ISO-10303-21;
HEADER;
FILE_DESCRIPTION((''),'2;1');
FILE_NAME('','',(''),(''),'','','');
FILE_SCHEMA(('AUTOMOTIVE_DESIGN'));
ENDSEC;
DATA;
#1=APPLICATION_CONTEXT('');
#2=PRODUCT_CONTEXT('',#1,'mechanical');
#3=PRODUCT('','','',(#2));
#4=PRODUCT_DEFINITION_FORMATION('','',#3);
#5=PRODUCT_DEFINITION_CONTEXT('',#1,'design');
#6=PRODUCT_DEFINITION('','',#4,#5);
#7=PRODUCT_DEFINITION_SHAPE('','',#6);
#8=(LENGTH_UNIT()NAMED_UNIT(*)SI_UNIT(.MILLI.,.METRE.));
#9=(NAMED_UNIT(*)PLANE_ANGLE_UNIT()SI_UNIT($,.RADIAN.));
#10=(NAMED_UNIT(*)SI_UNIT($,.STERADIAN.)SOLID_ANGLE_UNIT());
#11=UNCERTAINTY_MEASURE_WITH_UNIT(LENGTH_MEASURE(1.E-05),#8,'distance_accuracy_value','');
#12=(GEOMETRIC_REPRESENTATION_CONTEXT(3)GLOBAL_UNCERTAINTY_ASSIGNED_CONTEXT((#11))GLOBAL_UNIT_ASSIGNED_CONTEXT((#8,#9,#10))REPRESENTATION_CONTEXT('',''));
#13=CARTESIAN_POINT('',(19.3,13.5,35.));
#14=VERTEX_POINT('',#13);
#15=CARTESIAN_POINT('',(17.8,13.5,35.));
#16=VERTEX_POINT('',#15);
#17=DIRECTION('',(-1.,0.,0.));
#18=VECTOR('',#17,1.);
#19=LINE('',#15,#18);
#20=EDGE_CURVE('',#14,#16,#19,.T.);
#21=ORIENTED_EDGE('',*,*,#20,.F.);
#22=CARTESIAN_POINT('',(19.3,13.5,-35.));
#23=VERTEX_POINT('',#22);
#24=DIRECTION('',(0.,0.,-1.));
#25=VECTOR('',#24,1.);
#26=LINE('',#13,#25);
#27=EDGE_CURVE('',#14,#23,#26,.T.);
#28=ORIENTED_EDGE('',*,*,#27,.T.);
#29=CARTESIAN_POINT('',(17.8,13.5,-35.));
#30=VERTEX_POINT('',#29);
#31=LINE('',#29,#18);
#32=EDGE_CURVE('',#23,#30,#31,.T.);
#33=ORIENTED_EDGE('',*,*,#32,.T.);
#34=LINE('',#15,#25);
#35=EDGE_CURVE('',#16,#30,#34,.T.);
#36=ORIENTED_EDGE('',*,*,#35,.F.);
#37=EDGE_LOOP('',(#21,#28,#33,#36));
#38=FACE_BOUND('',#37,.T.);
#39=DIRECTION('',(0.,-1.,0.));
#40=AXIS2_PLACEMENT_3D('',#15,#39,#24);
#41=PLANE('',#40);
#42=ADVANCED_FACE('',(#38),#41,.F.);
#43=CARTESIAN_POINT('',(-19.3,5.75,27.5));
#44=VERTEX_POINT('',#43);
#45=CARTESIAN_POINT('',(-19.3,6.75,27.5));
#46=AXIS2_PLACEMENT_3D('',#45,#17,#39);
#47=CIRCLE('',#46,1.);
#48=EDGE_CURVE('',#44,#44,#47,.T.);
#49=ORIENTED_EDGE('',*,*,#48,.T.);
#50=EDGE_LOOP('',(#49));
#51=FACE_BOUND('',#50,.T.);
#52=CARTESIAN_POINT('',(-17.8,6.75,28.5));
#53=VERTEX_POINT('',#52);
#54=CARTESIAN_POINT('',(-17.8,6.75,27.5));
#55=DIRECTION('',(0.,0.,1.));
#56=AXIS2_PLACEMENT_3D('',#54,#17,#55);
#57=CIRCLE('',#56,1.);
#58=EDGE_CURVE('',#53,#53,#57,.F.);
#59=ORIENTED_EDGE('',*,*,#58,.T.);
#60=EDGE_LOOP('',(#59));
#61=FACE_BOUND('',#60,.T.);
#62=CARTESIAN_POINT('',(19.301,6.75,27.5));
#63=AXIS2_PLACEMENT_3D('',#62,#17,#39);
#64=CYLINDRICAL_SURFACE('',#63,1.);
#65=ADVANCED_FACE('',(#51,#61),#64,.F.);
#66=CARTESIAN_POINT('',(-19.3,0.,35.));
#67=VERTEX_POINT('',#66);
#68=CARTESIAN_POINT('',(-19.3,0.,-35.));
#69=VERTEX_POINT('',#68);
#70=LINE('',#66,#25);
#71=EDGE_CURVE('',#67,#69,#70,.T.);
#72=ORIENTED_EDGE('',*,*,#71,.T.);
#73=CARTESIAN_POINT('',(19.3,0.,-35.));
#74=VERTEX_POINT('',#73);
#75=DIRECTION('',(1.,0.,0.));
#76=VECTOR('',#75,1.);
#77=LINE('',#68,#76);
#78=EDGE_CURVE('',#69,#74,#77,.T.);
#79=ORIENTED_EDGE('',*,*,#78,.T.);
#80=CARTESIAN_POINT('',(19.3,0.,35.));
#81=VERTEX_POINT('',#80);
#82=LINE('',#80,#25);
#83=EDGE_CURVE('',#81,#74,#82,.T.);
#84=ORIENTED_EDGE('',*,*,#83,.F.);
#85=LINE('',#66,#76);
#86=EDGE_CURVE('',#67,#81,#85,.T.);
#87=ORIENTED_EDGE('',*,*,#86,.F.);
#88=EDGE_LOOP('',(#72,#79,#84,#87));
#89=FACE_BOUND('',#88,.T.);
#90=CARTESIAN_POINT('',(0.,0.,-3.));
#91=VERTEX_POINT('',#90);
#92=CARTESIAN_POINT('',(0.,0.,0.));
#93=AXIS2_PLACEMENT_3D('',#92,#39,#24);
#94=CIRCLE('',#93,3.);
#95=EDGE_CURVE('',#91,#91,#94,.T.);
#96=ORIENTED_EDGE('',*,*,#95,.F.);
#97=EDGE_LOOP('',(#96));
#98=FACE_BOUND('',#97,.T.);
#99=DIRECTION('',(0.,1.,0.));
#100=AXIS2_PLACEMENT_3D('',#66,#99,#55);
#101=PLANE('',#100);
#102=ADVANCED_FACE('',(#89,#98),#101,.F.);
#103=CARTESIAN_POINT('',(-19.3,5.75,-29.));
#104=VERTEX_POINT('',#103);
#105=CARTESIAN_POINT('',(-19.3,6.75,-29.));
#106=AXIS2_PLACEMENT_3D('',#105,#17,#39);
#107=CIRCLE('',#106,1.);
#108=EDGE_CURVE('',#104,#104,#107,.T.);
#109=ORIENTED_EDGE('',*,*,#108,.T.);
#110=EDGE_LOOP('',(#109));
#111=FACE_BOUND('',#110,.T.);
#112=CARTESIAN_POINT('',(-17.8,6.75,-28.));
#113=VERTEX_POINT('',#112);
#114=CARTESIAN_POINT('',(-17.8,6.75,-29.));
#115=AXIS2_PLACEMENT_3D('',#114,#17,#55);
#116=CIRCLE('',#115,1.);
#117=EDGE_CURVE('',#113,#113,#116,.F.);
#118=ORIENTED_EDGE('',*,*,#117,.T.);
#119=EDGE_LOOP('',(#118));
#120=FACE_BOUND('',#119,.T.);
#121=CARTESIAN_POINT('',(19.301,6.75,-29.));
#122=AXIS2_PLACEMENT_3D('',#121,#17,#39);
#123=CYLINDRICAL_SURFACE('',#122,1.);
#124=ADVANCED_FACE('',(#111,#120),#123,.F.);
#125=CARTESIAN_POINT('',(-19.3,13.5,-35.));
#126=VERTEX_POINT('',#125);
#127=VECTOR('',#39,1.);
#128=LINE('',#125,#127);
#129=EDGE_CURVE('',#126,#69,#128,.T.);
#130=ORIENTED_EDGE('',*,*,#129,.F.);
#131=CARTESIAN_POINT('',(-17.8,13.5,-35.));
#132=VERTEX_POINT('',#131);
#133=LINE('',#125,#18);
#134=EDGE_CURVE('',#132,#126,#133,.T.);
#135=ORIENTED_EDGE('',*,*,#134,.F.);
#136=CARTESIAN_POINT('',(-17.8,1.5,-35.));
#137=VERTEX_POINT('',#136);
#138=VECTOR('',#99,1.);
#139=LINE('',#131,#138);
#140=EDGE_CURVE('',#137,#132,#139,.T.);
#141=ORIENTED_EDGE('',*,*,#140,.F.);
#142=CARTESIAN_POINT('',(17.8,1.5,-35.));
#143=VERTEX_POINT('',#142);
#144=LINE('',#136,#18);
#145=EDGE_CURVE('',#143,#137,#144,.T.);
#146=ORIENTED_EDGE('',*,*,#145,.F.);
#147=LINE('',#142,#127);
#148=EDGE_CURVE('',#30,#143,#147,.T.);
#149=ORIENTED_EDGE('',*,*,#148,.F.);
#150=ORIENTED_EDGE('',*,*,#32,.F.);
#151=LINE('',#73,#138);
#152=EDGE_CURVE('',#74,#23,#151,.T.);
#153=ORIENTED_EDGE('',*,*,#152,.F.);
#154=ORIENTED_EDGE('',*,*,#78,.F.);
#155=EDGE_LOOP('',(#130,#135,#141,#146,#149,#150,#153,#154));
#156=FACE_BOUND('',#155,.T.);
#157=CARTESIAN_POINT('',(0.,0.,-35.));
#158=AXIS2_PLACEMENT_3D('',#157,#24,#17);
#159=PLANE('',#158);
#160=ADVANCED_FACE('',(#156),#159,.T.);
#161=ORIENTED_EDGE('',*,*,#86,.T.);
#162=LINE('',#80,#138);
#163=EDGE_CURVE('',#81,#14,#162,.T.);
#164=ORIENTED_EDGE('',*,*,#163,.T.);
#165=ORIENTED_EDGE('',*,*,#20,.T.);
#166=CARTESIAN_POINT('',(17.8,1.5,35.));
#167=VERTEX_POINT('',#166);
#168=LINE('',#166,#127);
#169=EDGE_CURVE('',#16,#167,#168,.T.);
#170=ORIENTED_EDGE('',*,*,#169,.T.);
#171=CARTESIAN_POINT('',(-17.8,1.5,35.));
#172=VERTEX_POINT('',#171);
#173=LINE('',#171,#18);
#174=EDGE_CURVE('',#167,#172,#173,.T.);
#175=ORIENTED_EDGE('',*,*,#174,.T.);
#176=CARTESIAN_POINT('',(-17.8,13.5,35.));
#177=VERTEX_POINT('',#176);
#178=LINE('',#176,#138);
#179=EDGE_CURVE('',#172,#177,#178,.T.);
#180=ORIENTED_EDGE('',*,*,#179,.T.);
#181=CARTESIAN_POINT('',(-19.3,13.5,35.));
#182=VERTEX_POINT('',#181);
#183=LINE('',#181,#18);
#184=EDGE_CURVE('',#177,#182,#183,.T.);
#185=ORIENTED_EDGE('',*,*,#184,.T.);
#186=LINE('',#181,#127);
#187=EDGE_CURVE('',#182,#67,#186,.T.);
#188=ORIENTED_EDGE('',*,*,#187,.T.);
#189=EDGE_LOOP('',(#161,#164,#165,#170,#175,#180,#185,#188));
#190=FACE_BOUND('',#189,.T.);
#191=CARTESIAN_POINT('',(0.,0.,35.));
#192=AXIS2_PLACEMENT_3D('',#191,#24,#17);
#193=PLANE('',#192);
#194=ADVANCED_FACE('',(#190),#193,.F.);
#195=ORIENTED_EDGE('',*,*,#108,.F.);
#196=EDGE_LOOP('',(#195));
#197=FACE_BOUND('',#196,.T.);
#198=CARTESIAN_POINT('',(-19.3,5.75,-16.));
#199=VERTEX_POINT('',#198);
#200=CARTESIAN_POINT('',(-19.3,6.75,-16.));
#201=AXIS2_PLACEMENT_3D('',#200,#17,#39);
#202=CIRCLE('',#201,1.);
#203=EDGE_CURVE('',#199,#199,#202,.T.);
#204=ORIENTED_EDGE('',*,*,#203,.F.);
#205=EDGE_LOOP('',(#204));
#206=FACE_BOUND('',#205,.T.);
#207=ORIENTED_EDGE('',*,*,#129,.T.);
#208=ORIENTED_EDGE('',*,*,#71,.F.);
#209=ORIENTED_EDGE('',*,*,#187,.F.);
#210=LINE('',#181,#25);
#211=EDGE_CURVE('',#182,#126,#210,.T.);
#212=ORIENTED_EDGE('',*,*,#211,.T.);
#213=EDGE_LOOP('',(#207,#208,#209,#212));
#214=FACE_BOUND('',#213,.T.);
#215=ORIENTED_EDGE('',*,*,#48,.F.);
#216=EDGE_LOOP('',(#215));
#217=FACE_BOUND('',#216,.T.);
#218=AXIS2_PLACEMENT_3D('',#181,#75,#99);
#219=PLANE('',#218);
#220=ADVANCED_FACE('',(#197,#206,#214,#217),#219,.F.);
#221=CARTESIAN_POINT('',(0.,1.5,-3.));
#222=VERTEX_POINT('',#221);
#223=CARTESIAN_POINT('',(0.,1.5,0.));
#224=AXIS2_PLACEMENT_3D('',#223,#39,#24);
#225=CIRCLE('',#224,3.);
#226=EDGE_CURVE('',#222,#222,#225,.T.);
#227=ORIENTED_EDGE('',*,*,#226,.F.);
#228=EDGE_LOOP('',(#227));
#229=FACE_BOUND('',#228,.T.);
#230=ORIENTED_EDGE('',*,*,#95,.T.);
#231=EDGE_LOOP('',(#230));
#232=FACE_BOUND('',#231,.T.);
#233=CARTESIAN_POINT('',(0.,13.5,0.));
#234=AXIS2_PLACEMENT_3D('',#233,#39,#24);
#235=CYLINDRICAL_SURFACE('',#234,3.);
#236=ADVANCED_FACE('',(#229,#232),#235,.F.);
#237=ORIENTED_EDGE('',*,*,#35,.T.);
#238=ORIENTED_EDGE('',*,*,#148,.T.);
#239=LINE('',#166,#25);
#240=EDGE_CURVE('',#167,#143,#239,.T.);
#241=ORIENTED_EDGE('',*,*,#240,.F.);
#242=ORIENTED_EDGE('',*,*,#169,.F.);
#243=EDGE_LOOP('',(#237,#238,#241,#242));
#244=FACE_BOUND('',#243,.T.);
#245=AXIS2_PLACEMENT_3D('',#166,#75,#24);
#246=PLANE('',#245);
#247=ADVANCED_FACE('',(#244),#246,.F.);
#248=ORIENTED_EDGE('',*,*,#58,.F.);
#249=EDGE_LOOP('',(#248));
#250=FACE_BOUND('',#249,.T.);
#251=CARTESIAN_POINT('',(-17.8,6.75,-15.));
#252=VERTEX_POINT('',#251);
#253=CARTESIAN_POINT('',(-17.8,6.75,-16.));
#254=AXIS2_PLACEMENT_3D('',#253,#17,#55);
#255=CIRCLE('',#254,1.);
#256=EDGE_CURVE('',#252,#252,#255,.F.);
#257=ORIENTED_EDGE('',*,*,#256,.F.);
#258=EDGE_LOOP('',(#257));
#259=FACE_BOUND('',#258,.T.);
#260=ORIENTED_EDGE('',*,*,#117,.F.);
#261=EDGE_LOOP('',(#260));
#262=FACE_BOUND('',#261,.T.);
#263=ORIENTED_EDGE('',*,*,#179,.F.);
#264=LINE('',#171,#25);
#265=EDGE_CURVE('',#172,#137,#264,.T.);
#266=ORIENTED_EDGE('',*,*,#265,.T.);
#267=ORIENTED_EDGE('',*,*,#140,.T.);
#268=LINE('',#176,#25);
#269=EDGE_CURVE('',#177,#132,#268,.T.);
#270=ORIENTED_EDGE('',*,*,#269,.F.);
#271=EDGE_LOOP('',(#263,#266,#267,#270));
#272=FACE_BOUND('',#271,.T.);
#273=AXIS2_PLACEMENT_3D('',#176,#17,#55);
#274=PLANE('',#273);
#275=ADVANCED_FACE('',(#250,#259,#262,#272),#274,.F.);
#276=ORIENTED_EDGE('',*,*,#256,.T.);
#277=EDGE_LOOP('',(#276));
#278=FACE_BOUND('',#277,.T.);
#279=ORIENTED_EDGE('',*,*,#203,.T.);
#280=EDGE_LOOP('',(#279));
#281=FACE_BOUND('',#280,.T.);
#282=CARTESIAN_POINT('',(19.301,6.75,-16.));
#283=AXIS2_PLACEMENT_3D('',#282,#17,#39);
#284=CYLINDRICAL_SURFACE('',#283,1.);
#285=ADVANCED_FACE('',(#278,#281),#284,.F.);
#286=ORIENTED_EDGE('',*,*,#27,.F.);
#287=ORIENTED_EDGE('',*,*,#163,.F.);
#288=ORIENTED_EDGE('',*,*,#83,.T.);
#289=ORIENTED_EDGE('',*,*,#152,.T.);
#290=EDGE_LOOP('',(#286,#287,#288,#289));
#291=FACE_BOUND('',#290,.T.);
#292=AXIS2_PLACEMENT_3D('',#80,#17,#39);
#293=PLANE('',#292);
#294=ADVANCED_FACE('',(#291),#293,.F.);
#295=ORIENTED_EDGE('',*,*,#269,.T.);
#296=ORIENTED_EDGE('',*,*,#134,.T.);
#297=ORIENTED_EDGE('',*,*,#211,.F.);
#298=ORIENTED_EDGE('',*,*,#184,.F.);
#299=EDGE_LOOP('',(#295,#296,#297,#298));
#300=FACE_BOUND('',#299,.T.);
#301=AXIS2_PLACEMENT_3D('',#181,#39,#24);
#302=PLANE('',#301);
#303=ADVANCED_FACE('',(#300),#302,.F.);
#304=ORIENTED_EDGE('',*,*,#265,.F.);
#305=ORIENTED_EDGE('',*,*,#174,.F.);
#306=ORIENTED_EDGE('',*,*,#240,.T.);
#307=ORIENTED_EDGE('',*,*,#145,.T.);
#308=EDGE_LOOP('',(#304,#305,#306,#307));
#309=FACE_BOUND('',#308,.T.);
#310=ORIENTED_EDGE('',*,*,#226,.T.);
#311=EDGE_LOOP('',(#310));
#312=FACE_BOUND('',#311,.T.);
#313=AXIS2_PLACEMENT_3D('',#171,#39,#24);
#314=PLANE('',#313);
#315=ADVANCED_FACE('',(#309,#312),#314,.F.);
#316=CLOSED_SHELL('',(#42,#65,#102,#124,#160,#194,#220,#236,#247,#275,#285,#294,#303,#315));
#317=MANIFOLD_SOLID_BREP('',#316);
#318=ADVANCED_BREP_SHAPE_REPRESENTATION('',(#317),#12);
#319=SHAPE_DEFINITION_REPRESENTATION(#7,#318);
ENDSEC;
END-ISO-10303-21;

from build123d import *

# Parameters (mm, degrees)
BOSS_EXTRUDE1_DEPTH = 35
SKETCH2_R           = 3
CUT_EXTRUDE1_DEPTH  = 43.186964811
CUT_EXTRUDE3_REACH  = 55.826
SKETCH4_R           = 1


with BuildPart() as part:
    # Sketch1 → Boss-Extrude1 (new, symmetric)
    with BuildSketch(Plane.XY):
        Polygon((-19.3, 13.5), (-19.3, 0), (19.3, 0), (19.3, 13.5), (17.8, 13.5), (17.8, 1.5), (-17.8, 1.5), (-17.8, 13.5), align=None)
    extrude(amount=BOSS_EXTRUDE1_DEPTH, both=True)

    # Sketch2 → Cut-Extrude1 (cut, through all)
    with BuildSketch(Plane.XZ):
        with Locations(Location((0, 0, 0), (0, 0, 270))):
            Circle(SKETCH2_R)
    extrude(amount=-CUT_EXTRUDE1_DEPTH, mode=Mode.SUBTRACT)

    # Sketch4 → Cut-Extrude3 (cut, up to next)
    with BuildSketch(Plane.ZY.offset(19.3), mode=Mode.PRIVATE) as cut_extrude3_sk1:
        with Locations(Location((-29, 6.75, 0), (0, 0, 270))):
            Circle(SKETCH4_R)
    cut_extrude3_tool1 = extrude(cut_extrude3_sk1.sketch, amount=-CUT_EXTRUDE3_REACH, mode=Mode.PRIVATE) & part.part
    # Sketch4 → Cut-Extrude3 (cut, up to next)
    with BuildSketch(Plane.ZY.offset(19.3), mode=Mode.PRIVATE) as cut_extrude3_sk2:
        with Locations(Location((-16, 6.75, 0), (0, 0, 270))):
            Circle(SKETCH4_R)
    cut_extrude3_tool2 = extrude(cut_extrude3_sk2.sketch, amount=-CUT_EXTRUDE3_REACH, mode=Mode.PRIVATE) & part.part
    # Sketch4 → Cut-Extrude3 (cut, up to next)
    with BuildSketch(Plane.ZY.offset(19.3), mode=Mode.PRIVATE) as cut_extrude3_sk3:
        with Locations(Location((27.5, 6.75, 0), (0, 0, 270))):
            Circle(SKETCH4_R)
    cut_extrude3_tool3 = extrude(cut_extrude3_sk3.sketch, amount=-CUT_EXTRUDE3_REACH, mode=Mode.PRIVATE) & part.part
    add(cut_extrude3_tool1.solids().sort_by_distance((-19.3, 6.75, -29))[0], mode=Mode.SUBTRACT)
    add(cut_extrude3_tool2.solids().sort_by_distance((-19.3, 6.75, -16))[0], mode=Mode.SUBTRACT)
    add(cut_extrude3_tool3.solids().sort_by_distance((-19.3, 6.75, 27.5))[0], mode=Mode.SUBTRACT)


solid = part.part
